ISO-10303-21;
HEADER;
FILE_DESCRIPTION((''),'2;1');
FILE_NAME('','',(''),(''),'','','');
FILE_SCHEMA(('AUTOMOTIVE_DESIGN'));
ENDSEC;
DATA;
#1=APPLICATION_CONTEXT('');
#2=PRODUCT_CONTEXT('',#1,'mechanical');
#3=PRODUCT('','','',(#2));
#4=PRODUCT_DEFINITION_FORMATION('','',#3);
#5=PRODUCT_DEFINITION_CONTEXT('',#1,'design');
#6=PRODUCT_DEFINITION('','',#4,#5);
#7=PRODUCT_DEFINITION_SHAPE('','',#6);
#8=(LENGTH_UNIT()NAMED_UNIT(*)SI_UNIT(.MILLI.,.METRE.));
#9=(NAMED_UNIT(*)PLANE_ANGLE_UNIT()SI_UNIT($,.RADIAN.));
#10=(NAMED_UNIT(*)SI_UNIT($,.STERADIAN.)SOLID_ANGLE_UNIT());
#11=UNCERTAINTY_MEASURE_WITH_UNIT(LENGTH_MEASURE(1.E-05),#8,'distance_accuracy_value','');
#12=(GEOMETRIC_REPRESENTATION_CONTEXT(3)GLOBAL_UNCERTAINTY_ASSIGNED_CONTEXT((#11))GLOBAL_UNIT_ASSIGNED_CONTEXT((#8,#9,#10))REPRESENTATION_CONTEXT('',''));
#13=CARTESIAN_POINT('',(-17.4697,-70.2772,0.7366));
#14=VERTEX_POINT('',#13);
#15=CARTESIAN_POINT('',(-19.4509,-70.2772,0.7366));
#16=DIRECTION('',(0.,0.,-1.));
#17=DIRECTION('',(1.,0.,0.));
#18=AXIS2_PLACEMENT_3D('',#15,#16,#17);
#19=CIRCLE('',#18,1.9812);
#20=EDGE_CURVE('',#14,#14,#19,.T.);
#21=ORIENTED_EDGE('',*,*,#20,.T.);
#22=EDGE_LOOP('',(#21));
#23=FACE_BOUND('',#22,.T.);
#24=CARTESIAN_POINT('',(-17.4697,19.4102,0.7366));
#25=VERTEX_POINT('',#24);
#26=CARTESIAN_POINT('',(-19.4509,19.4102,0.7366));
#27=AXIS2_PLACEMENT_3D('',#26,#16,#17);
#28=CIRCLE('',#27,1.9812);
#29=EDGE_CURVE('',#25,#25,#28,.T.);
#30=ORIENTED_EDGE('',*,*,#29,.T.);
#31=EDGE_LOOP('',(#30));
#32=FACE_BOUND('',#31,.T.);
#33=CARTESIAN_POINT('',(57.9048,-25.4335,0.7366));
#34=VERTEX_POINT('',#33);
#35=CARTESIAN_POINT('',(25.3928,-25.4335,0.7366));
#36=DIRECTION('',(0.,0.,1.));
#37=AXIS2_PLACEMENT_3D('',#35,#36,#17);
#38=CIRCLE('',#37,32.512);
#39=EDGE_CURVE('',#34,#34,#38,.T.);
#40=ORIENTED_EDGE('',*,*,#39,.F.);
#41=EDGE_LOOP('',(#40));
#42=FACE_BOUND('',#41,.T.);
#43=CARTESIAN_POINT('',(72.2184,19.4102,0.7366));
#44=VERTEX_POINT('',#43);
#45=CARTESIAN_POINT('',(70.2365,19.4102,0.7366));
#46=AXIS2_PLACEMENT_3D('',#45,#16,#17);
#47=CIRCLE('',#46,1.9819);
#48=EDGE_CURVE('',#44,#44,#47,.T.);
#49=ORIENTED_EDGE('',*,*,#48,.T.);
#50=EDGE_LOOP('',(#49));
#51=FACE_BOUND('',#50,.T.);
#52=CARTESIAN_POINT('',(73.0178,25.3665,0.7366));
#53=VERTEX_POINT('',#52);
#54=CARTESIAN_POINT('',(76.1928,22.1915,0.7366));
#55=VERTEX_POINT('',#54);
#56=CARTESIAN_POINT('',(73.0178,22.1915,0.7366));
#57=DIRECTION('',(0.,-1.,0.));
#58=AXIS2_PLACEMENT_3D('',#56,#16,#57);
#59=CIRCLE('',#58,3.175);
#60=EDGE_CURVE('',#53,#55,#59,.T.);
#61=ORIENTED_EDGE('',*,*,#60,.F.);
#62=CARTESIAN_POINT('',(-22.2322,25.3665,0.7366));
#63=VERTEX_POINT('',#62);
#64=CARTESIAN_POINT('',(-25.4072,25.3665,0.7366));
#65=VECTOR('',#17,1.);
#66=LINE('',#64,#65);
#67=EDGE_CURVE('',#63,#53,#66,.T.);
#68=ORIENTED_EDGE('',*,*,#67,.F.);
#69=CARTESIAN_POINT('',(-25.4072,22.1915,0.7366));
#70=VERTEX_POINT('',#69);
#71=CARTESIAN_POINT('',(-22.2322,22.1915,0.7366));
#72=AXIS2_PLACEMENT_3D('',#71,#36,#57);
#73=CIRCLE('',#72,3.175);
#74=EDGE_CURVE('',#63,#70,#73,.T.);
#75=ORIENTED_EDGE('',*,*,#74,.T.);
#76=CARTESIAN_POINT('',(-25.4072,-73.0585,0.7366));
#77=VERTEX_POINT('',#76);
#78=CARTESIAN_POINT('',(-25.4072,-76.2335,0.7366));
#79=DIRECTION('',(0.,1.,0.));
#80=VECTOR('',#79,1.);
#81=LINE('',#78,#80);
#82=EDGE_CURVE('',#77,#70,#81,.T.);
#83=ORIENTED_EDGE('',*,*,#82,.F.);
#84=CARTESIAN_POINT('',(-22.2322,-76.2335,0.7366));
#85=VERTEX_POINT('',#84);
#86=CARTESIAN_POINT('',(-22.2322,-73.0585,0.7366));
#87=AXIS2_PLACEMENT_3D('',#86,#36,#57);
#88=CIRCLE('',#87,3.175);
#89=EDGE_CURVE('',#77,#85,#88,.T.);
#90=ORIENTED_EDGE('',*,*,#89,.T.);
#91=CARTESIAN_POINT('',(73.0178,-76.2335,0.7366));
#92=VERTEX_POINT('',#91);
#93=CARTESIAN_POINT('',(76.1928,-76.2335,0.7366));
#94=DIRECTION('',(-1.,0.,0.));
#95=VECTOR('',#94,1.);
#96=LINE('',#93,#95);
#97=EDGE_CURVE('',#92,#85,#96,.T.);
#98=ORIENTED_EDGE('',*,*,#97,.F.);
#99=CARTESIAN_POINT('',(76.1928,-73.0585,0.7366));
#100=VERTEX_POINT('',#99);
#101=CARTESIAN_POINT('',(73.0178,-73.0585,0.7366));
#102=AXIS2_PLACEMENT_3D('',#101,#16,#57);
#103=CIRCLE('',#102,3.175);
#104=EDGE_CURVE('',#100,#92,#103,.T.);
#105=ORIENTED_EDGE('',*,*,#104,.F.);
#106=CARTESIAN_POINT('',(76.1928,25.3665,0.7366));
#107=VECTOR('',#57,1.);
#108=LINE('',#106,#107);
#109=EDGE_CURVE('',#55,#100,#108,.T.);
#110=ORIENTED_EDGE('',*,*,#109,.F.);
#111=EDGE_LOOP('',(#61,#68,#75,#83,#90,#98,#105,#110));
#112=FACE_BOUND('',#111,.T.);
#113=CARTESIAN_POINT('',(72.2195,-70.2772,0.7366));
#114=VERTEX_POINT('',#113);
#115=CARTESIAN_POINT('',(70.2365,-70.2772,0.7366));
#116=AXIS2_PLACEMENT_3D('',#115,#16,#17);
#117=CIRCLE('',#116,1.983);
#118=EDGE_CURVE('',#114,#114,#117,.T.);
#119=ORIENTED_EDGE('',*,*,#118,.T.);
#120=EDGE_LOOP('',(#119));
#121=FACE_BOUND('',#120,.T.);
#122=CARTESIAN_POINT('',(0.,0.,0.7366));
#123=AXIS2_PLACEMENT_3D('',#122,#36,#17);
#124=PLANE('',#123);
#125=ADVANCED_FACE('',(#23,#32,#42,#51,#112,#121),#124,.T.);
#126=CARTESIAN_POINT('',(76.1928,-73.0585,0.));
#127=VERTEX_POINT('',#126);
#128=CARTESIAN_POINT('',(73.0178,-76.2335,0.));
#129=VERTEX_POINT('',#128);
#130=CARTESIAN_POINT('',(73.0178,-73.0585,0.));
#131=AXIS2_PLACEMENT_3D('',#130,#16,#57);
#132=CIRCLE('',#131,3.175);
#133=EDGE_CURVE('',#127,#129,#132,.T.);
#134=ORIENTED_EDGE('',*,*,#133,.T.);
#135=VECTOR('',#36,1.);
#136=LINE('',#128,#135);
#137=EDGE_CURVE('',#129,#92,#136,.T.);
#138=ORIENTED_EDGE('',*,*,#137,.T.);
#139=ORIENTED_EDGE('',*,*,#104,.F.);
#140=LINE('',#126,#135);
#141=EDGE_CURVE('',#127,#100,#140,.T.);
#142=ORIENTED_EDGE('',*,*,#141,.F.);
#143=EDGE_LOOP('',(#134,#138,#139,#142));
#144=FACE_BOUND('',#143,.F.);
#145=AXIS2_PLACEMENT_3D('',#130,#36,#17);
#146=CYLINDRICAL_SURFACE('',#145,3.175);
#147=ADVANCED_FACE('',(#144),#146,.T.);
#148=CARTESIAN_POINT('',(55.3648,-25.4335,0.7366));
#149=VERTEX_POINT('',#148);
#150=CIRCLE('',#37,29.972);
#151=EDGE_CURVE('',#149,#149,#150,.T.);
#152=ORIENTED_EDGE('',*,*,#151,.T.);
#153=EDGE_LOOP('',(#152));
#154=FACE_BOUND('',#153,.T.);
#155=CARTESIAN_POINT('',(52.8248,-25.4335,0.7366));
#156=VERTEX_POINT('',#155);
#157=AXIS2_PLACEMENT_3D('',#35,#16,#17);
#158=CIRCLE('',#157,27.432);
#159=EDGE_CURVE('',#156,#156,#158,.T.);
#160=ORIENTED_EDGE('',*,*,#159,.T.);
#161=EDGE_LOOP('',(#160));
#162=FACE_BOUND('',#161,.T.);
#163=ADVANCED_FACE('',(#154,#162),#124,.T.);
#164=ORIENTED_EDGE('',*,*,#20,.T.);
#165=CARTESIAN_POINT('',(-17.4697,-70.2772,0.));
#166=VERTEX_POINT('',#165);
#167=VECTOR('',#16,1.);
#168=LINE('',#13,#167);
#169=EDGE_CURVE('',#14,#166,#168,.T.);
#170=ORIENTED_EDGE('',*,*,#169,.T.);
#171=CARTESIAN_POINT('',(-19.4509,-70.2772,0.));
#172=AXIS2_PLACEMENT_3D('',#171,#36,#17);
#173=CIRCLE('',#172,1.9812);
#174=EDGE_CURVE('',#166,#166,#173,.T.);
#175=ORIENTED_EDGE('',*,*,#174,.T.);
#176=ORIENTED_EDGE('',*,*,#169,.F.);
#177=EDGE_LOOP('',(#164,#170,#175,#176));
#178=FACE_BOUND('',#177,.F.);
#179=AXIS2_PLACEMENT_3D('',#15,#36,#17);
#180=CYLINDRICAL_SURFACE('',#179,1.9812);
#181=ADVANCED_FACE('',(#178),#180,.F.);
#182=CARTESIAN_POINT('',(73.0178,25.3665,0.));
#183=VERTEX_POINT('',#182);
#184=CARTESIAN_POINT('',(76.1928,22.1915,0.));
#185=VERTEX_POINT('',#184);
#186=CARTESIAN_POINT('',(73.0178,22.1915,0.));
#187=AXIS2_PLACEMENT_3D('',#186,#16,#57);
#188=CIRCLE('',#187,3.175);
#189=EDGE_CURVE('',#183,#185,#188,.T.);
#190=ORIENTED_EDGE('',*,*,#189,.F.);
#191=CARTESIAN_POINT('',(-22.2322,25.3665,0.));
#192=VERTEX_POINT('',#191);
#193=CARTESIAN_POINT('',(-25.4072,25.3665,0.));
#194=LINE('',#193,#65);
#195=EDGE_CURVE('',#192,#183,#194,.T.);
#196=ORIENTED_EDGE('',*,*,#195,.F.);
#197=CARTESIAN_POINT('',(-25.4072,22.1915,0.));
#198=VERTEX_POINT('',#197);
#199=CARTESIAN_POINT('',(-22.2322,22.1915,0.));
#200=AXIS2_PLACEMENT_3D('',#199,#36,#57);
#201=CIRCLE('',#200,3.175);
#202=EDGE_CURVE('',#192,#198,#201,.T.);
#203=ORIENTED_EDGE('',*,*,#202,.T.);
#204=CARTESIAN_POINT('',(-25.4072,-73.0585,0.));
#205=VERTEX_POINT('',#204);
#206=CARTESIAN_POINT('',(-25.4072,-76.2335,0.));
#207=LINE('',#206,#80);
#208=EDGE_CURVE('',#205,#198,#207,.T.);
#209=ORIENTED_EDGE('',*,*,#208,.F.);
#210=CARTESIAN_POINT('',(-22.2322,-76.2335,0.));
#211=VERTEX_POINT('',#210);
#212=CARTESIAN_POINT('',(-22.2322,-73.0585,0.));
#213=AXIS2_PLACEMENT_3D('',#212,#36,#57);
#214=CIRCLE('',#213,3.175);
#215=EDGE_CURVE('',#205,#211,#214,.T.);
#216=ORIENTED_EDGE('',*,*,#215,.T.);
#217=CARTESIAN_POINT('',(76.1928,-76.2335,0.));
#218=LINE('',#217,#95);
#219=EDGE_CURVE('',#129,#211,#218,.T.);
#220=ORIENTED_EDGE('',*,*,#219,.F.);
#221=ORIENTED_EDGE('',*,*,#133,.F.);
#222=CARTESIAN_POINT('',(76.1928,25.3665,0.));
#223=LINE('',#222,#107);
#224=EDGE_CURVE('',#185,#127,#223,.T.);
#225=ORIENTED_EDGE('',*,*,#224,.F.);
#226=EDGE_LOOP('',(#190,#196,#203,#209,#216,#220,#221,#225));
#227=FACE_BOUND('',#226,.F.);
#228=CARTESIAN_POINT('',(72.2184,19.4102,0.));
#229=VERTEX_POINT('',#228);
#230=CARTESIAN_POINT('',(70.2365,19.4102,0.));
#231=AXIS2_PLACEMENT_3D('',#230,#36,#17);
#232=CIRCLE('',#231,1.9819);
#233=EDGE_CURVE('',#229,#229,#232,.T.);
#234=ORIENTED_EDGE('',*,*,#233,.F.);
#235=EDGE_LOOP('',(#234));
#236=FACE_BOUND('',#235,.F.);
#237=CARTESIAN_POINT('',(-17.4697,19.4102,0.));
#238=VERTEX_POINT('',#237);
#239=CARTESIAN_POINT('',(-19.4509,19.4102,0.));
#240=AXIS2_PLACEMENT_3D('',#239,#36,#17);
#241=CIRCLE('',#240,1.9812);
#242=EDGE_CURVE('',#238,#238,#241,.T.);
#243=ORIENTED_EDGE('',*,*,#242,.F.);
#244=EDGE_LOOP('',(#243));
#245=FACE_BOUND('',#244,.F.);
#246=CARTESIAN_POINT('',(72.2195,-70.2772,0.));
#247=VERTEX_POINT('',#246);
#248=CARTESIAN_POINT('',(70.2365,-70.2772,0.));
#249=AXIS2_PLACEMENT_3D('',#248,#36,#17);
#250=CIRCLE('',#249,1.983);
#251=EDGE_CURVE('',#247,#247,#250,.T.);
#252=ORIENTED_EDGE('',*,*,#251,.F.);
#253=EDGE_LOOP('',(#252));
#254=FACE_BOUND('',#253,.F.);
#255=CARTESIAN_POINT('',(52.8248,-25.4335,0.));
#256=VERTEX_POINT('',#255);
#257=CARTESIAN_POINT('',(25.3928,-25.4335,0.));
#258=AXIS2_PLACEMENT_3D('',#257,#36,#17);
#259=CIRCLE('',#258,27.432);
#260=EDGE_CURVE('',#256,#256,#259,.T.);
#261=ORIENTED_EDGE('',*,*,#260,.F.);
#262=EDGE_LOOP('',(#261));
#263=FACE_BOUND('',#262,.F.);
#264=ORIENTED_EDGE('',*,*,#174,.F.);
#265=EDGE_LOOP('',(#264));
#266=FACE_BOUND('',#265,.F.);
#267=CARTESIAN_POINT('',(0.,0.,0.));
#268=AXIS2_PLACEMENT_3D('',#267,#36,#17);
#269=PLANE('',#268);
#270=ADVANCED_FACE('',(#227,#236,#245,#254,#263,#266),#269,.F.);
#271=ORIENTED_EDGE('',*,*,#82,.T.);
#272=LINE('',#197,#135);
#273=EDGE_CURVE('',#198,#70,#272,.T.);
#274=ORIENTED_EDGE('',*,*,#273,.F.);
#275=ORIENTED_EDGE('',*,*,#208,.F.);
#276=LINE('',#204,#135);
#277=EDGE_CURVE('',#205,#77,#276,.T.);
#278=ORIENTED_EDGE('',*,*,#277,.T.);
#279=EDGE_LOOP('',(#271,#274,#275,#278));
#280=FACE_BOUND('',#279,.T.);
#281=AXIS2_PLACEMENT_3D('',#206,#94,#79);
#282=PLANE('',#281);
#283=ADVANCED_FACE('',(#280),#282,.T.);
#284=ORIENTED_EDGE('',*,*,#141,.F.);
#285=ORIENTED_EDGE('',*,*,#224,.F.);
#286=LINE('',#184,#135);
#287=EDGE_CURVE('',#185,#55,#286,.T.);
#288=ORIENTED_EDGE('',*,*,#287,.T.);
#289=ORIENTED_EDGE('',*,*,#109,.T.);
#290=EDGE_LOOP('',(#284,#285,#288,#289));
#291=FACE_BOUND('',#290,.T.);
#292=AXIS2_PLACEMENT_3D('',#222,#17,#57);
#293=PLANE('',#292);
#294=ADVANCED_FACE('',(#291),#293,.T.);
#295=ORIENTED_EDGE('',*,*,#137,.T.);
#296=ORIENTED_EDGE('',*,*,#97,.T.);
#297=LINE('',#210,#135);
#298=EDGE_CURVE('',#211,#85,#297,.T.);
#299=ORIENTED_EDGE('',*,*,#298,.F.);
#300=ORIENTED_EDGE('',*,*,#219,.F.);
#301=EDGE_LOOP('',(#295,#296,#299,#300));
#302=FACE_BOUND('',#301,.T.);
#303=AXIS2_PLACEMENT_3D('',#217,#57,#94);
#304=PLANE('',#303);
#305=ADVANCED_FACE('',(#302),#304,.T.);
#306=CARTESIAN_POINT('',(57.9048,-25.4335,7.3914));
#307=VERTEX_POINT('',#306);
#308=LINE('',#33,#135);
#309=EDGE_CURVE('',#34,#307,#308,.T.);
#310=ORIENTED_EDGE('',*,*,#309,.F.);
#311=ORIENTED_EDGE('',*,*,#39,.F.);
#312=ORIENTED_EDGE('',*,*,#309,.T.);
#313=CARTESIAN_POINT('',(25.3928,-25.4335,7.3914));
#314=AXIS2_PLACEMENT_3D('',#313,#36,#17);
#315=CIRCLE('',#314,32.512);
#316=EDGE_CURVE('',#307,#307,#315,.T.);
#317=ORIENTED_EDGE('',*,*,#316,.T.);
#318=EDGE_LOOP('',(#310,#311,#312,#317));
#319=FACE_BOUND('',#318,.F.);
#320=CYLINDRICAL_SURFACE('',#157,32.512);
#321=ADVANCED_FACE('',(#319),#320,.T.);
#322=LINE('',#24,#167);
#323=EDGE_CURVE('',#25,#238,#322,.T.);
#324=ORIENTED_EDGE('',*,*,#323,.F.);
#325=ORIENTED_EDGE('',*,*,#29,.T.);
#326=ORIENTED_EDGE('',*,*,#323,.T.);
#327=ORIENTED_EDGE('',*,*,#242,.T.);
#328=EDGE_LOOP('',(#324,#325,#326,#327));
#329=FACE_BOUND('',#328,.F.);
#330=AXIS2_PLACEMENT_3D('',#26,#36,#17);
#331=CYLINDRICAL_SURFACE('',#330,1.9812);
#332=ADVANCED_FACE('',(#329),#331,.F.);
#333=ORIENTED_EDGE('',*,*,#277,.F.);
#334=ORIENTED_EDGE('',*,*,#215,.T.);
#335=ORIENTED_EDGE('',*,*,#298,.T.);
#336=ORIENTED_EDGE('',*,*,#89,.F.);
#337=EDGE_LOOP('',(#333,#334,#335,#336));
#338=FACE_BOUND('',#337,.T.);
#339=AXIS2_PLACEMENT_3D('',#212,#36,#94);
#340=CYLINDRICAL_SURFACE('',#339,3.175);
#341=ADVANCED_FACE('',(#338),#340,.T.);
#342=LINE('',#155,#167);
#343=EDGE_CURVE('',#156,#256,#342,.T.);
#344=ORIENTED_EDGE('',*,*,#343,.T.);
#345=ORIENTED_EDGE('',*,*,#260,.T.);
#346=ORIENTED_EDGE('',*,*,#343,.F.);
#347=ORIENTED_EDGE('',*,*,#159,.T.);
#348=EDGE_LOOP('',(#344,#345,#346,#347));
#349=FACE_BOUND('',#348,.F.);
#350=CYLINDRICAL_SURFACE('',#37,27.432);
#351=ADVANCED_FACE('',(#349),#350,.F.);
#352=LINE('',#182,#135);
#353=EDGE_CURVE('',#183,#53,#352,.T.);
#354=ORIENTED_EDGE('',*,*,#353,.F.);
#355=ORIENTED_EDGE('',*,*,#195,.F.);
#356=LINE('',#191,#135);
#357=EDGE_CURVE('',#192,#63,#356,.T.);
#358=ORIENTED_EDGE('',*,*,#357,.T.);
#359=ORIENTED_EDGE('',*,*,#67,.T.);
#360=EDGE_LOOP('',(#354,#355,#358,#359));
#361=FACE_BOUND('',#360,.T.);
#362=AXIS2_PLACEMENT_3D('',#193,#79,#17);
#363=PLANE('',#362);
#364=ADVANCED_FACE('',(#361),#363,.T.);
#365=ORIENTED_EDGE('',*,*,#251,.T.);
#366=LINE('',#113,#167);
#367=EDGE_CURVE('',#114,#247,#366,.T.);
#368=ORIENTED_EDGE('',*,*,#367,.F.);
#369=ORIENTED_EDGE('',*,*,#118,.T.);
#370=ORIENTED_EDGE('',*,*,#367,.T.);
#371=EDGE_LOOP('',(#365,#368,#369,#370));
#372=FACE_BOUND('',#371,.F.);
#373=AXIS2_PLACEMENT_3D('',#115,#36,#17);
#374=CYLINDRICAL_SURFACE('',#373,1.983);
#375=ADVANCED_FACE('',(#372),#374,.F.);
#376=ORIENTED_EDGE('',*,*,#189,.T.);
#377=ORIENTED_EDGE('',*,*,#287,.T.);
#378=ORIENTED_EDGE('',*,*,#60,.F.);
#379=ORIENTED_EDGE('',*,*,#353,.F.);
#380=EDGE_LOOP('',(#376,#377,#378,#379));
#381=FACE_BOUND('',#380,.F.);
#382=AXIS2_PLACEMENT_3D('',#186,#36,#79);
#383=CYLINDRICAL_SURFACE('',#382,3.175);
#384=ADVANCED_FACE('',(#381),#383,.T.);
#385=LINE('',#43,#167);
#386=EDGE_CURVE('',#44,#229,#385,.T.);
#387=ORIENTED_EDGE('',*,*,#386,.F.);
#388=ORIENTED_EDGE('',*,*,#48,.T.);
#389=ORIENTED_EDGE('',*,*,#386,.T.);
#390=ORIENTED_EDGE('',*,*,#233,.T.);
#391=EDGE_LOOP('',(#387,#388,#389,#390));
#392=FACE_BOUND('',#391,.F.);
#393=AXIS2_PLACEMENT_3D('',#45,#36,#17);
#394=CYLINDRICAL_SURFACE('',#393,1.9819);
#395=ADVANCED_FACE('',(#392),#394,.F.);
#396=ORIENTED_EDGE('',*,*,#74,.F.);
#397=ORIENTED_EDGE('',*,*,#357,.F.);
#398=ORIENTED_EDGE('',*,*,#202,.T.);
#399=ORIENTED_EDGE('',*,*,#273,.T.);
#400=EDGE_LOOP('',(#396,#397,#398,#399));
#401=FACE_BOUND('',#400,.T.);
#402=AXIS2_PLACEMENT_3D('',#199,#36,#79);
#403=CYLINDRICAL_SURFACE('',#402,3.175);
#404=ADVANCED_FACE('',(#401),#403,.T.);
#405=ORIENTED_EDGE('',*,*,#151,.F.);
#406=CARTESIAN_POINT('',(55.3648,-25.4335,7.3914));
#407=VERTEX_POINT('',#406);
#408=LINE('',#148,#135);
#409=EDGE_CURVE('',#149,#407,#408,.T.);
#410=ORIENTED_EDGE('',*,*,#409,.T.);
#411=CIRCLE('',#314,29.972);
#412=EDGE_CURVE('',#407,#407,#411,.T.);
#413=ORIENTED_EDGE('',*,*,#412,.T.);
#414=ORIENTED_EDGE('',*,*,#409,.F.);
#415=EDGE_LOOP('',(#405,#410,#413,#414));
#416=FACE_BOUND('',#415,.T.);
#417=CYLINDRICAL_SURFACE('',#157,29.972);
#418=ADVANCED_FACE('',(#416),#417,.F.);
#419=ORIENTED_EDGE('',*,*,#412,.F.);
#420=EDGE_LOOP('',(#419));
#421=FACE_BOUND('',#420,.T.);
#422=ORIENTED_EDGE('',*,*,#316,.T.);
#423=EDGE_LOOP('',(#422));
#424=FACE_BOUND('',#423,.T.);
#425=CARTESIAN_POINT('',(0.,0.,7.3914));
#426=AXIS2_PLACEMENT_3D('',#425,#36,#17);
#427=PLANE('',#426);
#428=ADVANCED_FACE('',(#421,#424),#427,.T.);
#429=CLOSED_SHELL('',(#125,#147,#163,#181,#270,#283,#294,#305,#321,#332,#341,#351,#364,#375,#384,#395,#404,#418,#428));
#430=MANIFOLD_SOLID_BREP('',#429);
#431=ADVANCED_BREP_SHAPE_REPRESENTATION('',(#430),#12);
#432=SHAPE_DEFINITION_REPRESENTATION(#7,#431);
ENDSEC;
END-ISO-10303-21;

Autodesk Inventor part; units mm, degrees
ref_plane "YZ Plane" through (0, 0, 0) normal (1, 0, 0) x (0, 1, 0)
ref_plane "XZ Plane" through (0, 0, 0) normal (0, 1, 0) x (-1, 0, 0)
ref_plane "XY Plane" through (0, 0, 0) normal (0, 0, 1) x (1, 0, 0)
sketch "Sketch1" plane through (0, 0, 0) normal (0, 0, 1) x (1, 0, 0)
  line L0 (-25.4072, 25.3665) -> (76.1928, 25.3665)
  line L1 (76.1928, 25.3665) -> (76.1928, -76.2335)
  line L2 (76.1928, -76.2335) -> (-25.4072, -76.2335)
  line L3 (-25.4072, -76.2335) -> (-25.4072, 25.3665)
  point P0 (0, 0)
  dimension "d0" = 101.6
  dimension "d1" = 101.6
extrude "Extrusion1" add sketch "Sketch1" along normal blind 0.7366
sketch "Sketch2" plane through (0, 0, 0.7366) normal (0, 0, 1) x (1, 0, 0)
  line L0 (-25.4072, 25.3665) -> (76.1928, -76.2335)
  line L1 (76.1928, 25.3665) -> (-25.4072, -76.2335)
  circle A0 centre (25.3928, -25.4335) radius 27.432
  point P0 (0, 0)
  dimension "d4" = 54.864
extrude "Extrusion2" cut sketch "Sketch2" against normal blind 0.7366
sketch "Sketch3" plane through (0, 0, 0.7366) normal (0, 0, 1) x (1, 0, 0)
  line L0 (-25.4072, -76.2335) -> (-25.4072, 25.3665) projected
  line L1 (-25.4072, 25.3665) -> (-25.4072, -25.4335)
  line L2 (-25.4072, -25.4335) -> (-25.4072, 19.4102)
  line L3 (-25.4072, 25.3665) -> (76.1928, -76.2335)
  line L4 (76.1928, 25.3665) -> (-25.4072, -76.2335)
  circle A0 centre (-19.4509, 19.4102) radius 1.9812
  point P0 (0, 0)
  dimension "d7" = 44.8437
  dimension "d8" = 3.9624
extrude "Extrusion3" cut sketch "Sketch3" against normal blind 0.7366 contours A0 L3 | L3 A0
sketch "Sketch4" plane through (0, 0, 0.7366) normal (0, 0, 1) x (1, 0, 0)
  line L0 (-25.4072, -76.2335) -> (76.1928, 25.3665)
  line L1 (-25.4072, 25.3665) -> (76.1928, -76.2335)
  circle A0 centre (70.2365, 19.4102) radius 1.9819
  circle A1 centre (70.2365, -70.2772) radius 1.983
  circle A2 centre (-19.4509, -70.2772) radius 1.9812
  point P0 (0, 0)
extrude "Extrusion4" cut sketch "Sketch4" against normal blind 0.7366
sketch "Sketch5" plane through (0, 0, 0.7366) normal (0, 0, 1) x (1, 0, 0)
  circle A0 centre (25.3928, -25.4335) radius 27.432 projected
  circle A1 centre (25.3928, -25.4335) radius 29.972
  circle A2 centre (25.3928, -25.4335) radius 32.512
  point P0 (0, 0)
  dimension "d13" = 59.944
  dimension "d14" = 65.024
extrude "Extrusion5" add sketch "Sketch5" along normal blind 6.6548 contours A2
fillet "Fillet1" radius 3.175 4 edges at (-25.4072, 25.3665, 0.3683) (76.1928, 25.3665, 0.3683) (76.1928, -76.2335, 0.3683) (-25.4072, -76.2335, 0.3683)
properties part number "1"
